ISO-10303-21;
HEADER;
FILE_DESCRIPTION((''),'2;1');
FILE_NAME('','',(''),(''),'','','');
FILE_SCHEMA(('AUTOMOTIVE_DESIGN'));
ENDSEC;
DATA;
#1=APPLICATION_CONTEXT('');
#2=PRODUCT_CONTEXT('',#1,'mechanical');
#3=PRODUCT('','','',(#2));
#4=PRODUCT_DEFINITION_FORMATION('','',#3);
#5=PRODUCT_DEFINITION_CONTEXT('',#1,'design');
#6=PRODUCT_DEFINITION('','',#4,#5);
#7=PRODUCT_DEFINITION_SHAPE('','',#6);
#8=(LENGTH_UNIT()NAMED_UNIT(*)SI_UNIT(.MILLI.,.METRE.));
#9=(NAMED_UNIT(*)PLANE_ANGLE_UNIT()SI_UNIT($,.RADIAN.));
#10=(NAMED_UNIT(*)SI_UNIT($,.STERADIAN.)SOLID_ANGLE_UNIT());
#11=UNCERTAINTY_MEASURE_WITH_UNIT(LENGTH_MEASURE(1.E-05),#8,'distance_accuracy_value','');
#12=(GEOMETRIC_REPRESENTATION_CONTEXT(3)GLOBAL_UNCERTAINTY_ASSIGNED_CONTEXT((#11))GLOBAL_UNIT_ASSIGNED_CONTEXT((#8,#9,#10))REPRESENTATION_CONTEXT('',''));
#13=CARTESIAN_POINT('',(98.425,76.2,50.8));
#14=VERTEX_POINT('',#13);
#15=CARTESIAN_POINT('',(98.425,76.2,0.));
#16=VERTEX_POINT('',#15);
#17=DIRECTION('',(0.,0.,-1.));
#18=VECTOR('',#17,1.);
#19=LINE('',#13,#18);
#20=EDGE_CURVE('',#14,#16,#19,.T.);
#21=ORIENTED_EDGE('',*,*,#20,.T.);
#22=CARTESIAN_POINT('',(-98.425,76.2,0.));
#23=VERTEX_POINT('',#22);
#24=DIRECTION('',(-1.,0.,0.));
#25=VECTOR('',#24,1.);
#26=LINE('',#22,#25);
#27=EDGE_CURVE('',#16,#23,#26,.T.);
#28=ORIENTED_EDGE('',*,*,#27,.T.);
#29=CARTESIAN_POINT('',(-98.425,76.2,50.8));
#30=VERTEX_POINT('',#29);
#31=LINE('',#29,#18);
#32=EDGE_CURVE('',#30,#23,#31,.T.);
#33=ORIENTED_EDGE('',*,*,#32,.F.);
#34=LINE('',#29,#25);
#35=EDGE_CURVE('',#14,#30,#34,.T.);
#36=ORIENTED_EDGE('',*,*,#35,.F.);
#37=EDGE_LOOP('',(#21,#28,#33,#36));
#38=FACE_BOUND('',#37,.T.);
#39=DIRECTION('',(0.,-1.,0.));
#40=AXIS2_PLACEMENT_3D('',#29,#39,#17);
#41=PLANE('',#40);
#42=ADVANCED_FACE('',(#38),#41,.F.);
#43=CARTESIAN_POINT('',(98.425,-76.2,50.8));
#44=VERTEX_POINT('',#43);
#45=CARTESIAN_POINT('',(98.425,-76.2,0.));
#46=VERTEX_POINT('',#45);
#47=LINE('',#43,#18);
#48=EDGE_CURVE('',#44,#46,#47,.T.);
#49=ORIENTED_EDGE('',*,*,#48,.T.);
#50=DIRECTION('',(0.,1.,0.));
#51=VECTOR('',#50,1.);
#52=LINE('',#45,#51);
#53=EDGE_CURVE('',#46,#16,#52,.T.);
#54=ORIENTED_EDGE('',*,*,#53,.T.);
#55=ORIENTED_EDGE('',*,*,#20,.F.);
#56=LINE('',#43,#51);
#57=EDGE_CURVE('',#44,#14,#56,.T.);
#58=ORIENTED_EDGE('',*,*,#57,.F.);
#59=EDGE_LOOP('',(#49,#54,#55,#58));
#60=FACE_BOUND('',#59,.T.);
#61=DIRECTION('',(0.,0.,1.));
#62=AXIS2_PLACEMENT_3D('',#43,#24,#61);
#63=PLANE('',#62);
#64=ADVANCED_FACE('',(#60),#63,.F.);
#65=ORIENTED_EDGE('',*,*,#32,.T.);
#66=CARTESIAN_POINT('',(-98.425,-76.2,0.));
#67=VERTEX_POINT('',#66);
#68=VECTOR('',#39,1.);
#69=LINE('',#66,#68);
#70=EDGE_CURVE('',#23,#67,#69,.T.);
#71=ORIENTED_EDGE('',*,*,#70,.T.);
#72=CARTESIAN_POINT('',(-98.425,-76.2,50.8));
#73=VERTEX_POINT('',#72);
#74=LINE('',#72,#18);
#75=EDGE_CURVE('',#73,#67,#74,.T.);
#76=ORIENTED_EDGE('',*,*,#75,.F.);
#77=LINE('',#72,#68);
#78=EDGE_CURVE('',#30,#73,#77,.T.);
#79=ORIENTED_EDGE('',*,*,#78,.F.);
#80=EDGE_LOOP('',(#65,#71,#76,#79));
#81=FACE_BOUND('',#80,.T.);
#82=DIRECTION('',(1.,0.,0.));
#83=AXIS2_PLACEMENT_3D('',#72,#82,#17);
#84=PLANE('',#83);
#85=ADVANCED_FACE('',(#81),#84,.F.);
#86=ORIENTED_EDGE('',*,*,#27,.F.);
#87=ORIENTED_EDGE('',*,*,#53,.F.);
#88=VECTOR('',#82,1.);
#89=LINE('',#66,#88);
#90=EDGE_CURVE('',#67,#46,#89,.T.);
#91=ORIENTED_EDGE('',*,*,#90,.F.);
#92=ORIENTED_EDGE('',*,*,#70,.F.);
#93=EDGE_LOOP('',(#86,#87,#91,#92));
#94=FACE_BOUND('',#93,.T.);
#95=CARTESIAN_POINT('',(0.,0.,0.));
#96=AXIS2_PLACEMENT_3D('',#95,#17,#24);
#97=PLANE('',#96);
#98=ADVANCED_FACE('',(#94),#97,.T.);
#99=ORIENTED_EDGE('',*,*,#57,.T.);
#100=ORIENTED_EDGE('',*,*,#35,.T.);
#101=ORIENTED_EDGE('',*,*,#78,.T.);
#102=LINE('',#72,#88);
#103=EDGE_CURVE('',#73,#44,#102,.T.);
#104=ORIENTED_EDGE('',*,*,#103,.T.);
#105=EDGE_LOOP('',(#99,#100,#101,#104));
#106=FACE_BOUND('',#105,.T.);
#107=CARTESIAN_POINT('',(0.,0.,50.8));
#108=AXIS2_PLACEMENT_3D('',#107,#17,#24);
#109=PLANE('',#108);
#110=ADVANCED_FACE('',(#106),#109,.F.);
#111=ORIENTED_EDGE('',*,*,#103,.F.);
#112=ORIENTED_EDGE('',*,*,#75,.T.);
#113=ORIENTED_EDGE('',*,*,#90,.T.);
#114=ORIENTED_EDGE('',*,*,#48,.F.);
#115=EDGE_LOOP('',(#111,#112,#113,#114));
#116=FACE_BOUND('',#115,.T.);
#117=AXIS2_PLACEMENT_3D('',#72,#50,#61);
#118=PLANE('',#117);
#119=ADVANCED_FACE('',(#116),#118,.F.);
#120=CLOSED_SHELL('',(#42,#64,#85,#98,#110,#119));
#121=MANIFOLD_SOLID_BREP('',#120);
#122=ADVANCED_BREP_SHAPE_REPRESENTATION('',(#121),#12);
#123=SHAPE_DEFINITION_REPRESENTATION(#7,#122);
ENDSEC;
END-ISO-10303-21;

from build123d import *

# Parameters (mm, degrees)
SKETCH1_W           = 196.85
SKETCH1_H           = 152.4
BOSS_EXTRUDE1_DEPTH = 50.8


with BuildPart() as part:
    # Sketch1 → Boss-Extrude1 (new body)
    with BuildSketch(Plane.XY):
        Rectangle(SKETCH1_W, SKETCH1_H)
    extrude(amount=BOSS_EXTRUDE1_DEPTH)


solid = part.part
